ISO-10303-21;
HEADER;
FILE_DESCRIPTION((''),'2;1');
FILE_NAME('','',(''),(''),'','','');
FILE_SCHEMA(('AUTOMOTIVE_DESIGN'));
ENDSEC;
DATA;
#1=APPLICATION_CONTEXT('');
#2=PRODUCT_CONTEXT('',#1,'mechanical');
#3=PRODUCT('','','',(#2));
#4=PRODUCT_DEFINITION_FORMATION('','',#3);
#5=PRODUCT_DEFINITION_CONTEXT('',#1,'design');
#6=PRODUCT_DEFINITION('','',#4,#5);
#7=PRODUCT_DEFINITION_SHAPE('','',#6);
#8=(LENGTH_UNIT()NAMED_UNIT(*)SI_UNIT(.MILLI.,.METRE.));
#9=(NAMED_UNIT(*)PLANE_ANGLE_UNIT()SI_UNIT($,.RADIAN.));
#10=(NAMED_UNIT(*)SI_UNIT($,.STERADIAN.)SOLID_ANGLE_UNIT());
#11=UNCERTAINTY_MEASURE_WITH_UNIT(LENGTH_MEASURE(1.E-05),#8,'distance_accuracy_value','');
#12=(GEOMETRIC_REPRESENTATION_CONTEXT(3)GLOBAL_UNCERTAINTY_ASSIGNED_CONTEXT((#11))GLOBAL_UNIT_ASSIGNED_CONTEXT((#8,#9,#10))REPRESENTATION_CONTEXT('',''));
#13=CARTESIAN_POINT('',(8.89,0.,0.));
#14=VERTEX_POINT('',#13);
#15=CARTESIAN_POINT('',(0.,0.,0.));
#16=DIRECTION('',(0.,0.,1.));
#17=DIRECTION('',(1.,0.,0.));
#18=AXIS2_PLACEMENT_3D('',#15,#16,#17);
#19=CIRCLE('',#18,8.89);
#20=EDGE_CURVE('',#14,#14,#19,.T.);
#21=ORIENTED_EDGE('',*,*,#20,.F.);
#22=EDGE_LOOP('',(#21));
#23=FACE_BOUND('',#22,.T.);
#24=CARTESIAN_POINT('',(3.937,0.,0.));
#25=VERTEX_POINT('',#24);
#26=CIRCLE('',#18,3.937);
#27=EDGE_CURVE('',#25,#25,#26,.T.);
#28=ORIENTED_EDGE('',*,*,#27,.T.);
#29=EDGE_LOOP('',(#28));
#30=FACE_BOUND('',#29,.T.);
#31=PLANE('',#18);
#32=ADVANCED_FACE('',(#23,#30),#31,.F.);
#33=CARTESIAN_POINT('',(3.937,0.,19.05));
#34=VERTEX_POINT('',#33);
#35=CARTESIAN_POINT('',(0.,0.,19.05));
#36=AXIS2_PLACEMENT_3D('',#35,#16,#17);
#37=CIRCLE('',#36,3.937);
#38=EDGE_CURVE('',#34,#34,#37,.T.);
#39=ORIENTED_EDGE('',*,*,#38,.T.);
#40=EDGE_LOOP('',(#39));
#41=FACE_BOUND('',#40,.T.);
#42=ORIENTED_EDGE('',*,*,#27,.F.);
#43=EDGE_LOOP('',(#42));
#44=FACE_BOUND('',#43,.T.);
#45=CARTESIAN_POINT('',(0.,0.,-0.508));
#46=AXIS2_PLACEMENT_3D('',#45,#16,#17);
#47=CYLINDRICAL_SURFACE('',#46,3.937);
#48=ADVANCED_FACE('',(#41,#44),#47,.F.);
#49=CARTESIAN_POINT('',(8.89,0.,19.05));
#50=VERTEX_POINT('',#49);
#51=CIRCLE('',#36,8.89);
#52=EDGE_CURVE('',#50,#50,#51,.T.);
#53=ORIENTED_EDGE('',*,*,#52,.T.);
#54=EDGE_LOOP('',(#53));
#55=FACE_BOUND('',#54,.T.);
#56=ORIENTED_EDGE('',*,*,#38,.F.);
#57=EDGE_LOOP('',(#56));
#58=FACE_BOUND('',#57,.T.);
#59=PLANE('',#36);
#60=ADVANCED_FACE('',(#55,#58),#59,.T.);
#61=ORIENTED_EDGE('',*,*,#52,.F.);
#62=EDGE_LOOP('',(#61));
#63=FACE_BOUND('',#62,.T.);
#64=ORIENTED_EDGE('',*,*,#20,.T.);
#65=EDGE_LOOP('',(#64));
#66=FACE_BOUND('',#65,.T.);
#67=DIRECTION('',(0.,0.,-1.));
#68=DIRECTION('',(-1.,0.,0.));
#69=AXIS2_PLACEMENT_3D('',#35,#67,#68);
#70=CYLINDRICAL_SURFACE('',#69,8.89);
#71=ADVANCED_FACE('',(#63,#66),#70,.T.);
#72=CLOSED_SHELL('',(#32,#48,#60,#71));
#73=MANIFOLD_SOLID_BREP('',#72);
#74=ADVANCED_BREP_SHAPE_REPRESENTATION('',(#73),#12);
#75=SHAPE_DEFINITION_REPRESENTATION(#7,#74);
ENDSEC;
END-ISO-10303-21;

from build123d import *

# Parameters (mm, degrees)
SKETCH1_R           = 8.89
BOSS_EXTRUDE2_DEPTH = 19.05
SKETCH2_R           = 3.937
CUT_EXTRUDE1_DEPTH  = 19.558


with BuildPart() as part:
    # Sketch1 → Boss-Extrude2 (new body)
    with BuildSketch(Plane.XY):
        Circle(SKETCH1_R)
    extrude(amount=BOSS_EXTRUDE2_DEPTH)

    # Sketch2 → Cut-Extrude1 (cut)
    with BuildSketch(Plane.XY.offset(19.05)):
        Circle(SKETCH2_R)
    extrude(amount=-CUT_EXTRUDE1_DEPTH, mode=Mode.SUBTRACT)


solid = part.part
